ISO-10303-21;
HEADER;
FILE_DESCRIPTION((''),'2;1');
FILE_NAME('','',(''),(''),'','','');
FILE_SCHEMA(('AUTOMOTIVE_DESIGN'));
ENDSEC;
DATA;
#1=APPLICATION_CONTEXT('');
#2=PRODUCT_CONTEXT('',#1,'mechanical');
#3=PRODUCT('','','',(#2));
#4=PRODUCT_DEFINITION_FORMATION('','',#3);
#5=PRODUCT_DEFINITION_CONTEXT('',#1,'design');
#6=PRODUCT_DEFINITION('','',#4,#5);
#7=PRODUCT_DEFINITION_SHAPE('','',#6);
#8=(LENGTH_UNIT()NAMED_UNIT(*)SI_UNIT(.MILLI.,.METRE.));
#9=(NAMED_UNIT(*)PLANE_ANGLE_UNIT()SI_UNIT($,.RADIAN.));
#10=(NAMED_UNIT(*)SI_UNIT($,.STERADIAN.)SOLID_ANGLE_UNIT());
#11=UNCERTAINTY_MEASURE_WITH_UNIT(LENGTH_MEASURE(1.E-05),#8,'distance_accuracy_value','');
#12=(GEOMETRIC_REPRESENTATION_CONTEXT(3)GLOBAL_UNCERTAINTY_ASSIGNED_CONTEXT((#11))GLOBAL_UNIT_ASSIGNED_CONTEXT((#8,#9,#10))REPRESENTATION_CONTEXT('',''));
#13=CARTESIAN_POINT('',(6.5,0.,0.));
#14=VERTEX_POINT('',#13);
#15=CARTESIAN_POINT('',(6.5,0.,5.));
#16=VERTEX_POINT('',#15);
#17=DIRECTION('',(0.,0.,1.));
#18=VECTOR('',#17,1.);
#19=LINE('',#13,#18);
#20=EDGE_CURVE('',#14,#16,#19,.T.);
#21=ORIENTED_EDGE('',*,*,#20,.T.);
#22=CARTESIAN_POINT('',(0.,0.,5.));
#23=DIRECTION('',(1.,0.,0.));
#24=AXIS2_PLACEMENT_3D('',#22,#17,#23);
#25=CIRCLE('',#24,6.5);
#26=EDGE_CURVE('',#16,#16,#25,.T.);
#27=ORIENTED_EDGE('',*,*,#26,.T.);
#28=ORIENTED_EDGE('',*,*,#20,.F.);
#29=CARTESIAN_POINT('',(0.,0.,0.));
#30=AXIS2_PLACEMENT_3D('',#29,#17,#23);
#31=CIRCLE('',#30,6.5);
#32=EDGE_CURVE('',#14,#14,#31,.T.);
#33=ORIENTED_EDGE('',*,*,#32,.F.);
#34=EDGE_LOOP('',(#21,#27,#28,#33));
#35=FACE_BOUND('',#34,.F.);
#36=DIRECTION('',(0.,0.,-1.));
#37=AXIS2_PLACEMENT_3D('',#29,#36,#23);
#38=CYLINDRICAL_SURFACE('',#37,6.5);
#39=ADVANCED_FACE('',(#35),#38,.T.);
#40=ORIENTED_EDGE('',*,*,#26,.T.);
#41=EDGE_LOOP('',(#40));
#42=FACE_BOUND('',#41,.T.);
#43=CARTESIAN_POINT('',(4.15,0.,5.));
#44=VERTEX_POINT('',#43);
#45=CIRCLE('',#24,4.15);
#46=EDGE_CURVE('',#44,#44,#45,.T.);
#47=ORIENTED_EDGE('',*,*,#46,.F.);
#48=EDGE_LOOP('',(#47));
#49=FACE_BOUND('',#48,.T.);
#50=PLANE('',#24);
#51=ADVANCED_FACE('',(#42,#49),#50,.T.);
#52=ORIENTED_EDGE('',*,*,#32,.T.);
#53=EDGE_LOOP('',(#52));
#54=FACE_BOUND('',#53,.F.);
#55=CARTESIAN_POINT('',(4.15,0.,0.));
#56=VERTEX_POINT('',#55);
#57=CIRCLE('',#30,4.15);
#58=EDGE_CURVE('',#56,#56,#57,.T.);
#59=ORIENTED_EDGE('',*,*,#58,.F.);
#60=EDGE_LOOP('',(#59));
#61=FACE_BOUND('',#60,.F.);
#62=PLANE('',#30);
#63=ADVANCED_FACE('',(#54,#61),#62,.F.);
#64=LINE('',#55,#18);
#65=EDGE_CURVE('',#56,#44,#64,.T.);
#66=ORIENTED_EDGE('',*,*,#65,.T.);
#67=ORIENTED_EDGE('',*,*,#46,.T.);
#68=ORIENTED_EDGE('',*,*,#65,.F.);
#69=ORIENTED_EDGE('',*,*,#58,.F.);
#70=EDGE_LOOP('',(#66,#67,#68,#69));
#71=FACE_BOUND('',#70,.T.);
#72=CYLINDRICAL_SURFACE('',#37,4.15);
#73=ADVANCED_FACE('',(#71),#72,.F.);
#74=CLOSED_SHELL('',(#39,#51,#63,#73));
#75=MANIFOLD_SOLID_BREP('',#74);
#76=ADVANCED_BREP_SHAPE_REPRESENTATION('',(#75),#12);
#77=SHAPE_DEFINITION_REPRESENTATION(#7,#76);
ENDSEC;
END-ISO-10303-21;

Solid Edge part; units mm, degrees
sketch "Sketch1" plane through (0, 0, 0) normal (0, 0, 1) x (1, 0, 0)
  circle A0 centre (0, 0) radius 4.15
  circle A1 centre (0, 0) radius 6.5
extrude "Protrusion1" add sketch "Sketch1" along normal blind 5
